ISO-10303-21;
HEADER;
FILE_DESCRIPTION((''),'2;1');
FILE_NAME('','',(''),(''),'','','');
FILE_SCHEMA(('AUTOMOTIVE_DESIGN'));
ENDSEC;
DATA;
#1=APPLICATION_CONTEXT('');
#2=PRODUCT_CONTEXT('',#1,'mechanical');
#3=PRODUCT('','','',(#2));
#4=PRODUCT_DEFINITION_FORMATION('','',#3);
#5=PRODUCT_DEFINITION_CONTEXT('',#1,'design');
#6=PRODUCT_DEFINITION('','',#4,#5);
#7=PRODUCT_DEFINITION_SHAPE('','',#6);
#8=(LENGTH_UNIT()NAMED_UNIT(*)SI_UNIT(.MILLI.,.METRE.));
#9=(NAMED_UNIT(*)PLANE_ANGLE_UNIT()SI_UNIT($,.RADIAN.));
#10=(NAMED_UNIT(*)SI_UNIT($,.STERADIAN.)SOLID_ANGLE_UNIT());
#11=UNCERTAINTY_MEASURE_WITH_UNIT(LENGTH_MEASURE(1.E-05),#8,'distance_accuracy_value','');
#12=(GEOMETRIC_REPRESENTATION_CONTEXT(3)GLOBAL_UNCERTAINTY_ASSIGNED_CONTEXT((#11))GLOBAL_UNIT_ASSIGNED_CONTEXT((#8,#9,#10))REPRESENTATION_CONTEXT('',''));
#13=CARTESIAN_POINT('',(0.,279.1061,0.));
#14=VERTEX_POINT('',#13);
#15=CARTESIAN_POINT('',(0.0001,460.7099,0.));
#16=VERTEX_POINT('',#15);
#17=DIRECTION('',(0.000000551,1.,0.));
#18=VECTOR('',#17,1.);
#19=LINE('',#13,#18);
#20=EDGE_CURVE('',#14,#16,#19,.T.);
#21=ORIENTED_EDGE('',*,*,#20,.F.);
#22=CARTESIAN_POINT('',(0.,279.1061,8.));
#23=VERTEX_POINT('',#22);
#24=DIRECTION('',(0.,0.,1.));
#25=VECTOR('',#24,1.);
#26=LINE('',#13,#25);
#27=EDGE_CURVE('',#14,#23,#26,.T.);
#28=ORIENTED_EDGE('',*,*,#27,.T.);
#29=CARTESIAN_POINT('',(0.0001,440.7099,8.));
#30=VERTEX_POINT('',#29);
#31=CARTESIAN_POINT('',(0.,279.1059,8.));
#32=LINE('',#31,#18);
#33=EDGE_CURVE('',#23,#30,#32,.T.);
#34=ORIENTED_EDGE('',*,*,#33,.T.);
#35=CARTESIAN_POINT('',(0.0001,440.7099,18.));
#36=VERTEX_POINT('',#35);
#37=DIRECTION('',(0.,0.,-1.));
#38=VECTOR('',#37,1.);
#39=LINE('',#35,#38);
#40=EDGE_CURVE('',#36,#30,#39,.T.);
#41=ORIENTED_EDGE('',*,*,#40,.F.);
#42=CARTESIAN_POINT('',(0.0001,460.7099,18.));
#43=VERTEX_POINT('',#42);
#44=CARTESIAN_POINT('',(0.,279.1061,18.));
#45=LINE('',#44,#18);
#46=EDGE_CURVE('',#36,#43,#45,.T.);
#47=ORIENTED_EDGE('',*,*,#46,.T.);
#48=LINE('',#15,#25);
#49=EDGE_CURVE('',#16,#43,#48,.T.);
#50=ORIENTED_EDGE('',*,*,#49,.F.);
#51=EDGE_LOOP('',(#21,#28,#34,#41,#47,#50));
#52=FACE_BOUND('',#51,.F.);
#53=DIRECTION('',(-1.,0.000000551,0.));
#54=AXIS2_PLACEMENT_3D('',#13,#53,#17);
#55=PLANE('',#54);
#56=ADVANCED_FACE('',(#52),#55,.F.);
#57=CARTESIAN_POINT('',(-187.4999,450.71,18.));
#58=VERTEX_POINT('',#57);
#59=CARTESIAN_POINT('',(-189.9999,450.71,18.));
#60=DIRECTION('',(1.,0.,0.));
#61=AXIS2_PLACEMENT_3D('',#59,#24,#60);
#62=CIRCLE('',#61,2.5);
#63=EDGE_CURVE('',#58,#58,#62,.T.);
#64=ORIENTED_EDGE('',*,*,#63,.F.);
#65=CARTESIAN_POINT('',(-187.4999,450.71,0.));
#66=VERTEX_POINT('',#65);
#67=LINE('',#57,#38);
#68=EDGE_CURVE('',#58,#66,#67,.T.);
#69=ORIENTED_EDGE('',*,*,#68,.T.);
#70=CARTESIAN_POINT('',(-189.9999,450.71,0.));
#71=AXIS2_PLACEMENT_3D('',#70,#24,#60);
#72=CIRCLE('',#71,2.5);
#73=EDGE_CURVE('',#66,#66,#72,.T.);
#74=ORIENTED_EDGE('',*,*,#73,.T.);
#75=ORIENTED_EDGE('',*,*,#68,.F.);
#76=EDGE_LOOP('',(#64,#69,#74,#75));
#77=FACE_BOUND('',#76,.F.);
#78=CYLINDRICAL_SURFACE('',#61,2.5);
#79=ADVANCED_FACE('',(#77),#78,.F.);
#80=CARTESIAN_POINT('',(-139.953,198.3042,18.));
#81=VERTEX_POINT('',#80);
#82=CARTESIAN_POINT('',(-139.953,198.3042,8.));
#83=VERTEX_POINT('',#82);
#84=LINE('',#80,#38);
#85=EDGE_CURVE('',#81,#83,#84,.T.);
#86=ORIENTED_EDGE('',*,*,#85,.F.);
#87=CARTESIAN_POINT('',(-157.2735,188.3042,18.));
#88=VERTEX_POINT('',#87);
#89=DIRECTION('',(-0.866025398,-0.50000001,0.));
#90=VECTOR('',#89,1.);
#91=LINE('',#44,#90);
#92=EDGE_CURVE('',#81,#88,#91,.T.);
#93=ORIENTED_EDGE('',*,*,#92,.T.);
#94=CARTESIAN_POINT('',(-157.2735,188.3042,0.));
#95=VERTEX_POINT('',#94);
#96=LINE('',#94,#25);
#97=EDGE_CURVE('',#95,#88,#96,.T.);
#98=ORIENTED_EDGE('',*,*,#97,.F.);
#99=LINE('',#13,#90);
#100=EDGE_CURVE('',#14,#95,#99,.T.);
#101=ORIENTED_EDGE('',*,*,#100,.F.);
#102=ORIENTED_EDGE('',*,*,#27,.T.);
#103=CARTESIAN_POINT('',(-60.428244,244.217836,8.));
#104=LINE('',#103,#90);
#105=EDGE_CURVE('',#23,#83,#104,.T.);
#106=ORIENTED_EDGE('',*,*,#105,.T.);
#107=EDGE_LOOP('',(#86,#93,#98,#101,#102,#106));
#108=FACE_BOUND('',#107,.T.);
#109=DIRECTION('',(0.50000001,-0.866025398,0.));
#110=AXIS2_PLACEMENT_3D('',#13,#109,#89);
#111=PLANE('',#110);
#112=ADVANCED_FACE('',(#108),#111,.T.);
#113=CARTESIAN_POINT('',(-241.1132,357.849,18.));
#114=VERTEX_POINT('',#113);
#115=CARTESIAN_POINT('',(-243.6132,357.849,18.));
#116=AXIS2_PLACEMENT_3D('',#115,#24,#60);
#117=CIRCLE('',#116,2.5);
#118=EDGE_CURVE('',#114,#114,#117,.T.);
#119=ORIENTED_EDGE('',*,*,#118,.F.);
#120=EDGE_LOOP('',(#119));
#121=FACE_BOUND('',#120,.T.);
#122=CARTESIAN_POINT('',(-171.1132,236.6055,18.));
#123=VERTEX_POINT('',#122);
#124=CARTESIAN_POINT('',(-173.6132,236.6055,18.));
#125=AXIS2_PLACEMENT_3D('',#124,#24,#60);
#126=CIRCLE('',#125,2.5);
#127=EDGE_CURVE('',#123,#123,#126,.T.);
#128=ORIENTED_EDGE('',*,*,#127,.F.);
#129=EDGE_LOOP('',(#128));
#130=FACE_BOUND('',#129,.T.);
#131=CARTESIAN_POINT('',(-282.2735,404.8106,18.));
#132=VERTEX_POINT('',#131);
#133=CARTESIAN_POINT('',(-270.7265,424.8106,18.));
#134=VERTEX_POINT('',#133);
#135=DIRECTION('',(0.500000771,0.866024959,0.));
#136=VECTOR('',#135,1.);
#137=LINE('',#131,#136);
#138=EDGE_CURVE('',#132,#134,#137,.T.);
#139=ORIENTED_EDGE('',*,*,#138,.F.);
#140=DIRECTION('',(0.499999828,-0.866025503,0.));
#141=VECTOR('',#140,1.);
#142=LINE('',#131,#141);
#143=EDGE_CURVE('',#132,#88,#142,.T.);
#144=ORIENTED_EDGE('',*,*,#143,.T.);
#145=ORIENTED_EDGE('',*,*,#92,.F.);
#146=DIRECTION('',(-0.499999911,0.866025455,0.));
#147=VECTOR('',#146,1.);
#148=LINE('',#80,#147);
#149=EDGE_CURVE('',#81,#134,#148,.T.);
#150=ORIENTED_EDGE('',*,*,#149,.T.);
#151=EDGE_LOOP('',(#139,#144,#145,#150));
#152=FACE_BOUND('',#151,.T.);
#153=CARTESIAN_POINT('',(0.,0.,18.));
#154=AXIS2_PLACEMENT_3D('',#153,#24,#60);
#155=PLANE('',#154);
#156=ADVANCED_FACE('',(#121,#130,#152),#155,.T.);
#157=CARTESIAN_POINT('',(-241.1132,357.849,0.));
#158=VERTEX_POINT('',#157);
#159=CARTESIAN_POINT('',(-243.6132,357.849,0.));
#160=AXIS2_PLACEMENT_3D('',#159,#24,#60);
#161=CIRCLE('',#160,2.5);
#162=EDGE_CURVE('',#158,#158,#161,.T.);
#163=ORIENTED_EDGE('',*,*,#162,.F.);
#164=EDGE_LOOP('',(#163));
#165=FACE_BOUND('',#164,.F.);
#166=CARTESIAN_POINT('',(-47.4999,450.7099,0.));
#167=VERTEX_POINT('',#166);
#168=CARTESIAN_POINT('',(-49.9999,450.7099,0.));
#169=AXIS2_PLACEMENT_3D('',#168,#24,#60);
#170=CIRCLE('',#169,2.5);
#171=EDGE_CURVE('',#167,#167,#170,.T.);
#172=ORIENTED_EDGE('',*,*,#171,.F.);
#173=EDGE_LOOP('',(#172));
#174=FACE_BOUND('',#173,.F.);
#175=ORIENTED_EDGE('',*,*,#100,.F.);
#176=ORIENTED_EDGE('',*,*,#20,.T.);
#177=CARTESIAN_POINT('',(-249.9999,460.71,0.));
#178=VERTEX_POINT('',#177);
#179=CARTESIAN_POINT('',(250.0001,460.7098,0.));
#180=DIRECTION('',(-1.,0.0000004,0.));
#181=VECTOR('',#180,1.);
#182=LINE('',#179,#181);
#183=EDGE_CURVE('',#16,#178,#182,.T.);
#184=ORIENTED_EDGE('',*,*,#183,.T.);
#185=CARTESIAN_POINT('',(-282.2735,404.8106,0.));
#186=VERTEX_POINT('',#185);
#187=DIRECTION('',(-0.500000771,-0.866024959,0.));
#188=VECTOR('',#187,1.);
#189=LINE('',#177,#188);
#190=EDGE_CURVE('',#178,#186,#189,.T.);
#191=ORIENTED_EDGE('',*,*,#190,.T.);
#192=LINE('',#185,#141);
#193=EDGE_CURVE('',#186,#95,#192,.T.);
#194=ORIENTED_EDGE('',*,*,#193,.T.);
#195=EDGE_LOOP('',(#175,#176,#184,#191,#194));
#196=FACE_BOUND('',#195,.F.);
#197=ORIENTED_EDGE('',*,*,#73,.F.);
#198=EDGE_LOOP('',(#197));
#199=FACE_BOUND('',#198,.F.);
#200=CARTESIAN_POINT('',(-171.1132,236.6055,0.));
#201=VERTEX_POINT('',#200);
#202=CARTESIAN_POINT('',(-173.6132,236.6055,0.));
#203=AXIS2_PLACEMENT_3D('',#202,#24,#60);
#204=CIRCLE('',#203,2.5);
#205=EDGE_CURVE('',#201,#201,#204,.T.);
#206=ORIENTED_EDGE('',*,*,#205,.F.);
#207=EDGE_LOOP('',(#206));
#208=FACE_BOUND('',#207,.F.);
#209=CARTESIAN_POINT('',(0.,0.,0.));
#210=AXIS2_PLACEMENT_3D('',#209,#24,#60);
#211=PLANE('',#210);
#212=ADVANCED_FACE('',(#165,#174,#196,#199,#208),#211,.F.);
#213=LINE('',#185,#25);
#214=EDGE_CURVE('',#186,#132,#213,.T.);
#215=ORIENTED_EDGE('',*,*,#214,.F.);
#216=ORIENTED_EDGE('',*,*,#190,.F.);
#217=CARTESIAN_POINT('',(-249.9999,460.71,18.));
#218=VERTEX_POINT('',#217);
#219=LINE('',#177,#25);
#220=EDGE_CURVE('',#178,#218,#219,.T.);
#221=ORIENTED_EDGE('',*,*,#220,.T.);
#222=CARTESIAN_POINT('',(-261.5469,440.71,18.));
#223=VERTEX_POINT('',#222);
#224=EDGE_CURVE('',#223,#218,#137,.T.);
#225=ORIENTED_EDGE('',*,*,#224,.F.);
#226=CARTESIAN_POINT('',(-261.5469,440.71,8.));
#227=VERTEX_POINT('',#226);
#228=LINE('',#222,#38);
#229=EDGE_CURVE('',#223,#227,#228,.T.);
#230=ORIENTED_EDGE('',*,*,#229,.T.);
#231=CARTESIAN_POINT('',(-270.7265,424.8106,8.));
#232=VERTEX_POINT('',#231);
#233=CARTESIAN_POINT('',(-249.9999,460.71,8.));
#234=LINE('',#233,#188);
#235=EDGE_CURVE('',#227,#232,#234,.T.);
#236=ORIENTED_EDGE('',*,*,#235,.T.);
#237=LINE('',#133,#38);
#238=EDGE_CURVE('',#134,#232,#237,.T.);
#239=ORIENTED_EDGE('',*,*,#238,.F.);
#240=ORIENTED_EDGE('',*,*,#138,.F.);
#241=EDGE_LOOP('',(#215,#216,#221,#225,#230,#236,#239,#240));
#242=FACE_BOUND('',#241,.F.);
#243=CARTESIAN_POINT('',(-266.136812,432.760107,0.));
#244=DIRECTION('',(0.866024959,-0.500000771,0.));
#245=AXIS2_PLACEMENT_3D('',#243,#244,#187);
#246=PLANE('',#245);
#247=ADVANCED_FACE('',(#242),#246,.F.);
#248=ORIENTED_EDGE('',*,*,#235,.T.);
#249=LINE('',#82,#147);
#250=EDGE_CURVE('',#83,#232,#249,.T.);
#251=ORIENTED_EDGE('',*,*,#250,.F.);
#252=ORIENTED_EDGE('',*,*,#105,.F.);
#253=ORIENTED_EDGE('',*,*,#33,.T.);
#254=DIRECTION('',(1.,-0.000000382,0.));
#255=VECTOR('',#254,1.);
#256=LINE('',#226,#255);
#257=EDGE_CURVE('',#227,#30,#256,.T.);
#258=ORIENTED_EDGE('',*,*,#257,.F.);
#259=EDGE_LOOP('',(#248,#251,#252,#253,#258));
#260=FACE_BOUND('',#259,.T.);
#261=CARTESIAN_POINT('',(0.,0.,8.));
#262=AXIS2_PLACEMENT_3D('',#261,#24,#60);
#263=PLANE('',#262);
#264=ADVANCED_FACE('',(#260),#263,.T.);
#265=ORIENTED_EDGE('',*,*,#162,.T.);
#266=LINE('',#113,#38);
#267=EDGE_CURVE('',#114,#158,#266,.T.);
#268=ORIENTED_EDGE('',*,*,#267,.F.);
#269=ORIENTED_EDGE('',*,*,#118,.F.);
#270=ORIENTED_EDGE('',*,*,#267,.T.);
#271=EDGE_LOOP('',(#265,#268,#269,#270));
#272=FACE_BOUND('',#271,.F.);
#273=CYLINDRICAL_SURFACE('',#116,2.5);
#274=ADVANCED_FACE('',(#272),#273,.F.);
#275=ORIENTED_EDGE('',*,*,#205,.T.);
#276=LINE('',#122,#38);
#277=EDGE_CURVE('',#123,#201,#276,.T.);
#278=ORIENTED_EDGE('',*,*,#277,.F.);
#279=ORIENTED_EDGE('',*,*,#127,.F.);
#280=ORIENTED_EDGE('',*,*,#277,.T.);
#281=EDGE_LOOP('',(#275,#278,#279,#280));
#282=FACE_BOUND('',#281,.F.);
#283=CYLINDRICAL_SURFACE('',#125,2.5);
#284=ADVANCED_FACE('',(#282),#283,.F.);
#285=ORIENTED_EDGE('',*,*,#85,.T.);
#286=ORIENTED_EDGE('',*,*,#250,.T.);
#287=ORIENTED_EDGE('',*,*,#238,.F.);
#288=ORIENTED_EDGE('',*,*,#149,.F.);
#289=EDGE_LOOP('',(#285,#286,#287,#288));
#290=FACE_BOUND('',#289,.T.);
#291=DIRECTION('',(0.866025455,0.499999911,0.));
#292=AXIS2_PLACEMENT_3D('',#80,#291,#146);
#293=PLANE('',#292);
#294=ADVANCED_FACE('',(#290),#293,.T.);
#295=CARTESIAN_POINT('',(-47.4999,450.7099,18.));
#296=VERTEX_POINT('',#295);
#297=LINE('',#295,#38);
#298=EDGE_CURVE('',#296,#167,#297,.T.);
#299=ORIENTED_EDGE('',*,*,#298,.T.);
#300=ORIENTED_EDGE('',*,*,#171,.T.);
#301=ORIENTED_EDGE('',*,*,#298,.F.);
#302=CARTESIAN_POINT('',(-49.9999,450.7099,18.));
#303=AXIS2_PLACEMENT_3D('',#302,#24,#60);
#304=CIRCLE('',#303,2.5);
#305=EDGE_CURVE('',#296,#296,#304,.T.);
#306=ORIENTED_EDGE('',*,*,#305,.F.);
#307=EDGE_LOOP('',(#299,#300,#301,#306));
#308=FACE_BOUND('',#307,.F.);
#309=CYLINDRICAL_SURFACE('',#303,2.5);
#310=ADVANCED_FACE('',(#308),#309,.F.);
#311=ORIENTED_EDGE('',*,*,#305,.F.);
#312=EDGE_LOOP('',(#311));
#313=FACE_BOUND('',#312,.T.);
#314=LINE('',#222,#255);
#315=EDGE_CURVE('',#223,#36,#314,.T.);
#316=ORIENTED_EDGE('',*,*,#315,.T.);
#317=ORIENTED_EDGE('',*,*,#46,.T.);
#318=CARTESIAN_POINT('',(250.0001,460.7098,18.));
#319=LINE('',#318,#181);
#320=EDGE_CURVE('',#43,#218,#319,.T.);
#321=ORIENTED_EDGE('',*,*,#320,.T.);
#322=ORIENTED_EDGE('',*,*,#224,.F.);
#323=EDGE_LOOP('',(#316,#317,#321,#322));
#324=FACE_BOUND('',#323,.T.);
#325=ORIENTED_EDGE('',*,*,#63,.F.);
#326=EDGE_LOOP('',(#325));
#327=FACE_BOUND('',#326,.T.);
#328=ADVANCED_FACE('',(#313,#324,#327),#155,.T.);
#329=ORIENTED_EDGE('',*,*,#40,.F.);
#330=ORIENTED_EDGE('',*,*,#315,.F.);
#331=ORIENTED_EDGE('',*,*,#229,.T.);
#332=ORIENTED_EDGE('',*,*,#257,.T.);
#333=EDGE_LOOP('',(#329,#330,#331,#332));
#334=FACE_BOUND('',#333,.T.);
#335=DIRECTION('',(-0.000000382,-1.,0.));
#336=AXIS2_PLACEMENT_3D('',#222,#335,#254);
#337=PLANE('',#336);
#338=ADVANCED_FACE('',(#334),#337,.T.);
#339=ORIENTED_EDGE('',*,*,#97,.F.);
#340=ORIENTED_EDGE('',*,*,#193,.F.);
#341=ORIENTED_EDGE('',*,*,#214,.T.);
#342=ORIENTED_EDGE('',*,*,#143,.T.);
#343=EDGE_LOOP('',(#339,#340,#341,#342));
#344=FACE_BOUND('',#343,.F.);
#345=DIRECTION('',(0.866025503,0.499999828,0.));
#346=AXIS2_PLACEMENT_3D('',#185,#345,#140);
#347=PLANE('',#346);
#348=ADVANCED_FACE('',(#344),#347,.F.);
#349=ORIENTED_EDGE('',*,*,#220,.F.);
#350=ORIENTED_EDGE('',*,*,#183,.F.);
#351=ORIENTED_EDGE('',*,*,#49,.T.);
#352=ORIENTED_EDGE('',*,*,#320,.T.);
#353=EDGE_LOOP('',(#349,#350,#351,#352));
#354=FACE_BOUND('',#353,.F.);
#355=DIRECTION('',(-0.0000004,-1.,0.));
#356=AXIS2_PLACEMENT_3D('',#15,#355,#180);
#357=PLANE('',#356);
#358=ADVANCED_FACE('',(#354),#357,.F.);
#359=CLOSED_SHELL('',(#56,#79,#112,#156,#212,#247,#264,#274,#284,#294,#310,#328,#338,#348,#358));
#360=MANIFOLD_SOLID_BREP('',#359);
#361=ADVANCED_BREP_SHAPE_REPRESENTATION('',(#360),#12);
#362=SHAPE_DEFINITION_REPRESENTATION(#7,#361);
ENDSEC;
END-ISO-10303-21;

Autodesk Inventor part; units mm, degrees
ref_plane "YZ Plane" through (0, 0, 0) normal (1, 0, 0) x (0, 1, 0)
ref_plane "XZ Plane" through (0, 0, 0) normal (0, 1, 0) x (-1, 0, 0)
ref_plane "XY Plane" through (0, 0, 0) normal (0, 0, 1) x (1, 0, 0)
sketch "Sketch1" plane through (0, 0, 0) normal (0, 0, 1) x (1, 0, 0)
  line L0 (-32.2735, -28.2023) -> (32.2735, -28.2023) projected
  line L1 (32.2735, -28.2023) -> (282.2736, 404.8104) projected
  line L2 (282.2736, 404.8104) -> (250.0001, 460.7098) projected
  line L3 (250.0001, 460.7098) -> (-249.9999, 460.71) projected
  line L4 (-249.9999, 460.71) -> (-282.2735, 404.8106) projected
  line L5 (-282.2735, 404.8106) -> (-32.2735, -28.2023) projected
  line L6 (0, -28.2023) -> (0, 279.1061)
  line L7 (-266.1368, 432.7601) -> (0, 279.1059)
  line L8 (266.1368, 432.7601) -> (0, 279.1061)
  line L9 (0, 279.1061) -> (0.0001, 460.7099)
  line L10 (0, 279.1061) -> (-157.2735, 188.3042)
  line L11 (0, 279.1059) -> (157.2736, 188.3041)
  point P0 (0, 0)
extrude "Extrusion1" add sketch "Sketch1" along normal blind 18 contours L5 L4 L7 L10 | L7 L4 L3 L9
sketch "Sketch2" plane through (0, 0, 18) normal (0, 0, 1) x (1, 0, 0)
  line L0 (0, 279.1059) -> (0.0001, 460.7099) projected
  line L1 (0.0001, 460.7099) -> (-249.9999, 460.71) projected
  line L2 (-249.9999, 460.71) -> (-282.2735, 404.8106) projected
  line L3 (-282.2735, 404.8106) -> (-157.2735, 188.3042) projected
  line L4 (-157.2735, 188.3042) -> (0, 279.106) projected
  line L5 (0, 279.1059) -> (0, 279.106) projected
  line L6 (-261.5469, 440.71) -> (0.0001, 440.7099)
  line L7 (-139.953, 198.3042) -> (-270.7265, 424.8106)
  point P0 (0, 0)
  dimension "d2" = 20
extrude "Extrusion2" cut sketch "Sketch2" against normal blind 10 contours L4 L7 L2 L6 L0
sketch "Sketch3" plane through (0, 0, 18) normal (0, 0, 1) x (1, 0, 0)
  circle A0 centre (-189.9999, 450.71) radius 2.5
  circle A1 centre (-49.9999, 450.7099) radius 2.5
  circle A2 centre (-243.6132, 357.849) radius 2.5
  circle A3 centre (-173.6132, 236.6055) radius 2.5
  line L0 (0.0001, 460.7099) -> (-249.9999, 460.71) projected
  line L1 (0.0001, 440.7099) -> (0.0001, 460.7099) projected
  line L2 (-282.2735, 404.8106) -> (-157.2735, 188.3042) projected
  line L3 (-157.2735, 188.3042) -> (-139.953, 198.3042) projected
  point P0 (0, 0)
  dimension "d5" = 5
  dimension "d6" = 5
  dimension "d7" = 5
  dimension "d8" = 5
  dimension "d9" = 10
  dimension "d10" = 10
  dimension "d11" = 50
  dimension "d12" = 190
  dimension "d13" = 10
  dimension "d14" = 10
  dimension "d15" = 50
  dimension "d16" = 190
extrude "Extrusion3" cut sketch "Sketch3" against normal through all
equation "\"d10\" = d9"
equation "\"d13\" = d9"
equation "\"d14\" = d9"
equation "\"d15\" = d11"
equation "\"d16\" = d12"
properties part number "bottom half"
